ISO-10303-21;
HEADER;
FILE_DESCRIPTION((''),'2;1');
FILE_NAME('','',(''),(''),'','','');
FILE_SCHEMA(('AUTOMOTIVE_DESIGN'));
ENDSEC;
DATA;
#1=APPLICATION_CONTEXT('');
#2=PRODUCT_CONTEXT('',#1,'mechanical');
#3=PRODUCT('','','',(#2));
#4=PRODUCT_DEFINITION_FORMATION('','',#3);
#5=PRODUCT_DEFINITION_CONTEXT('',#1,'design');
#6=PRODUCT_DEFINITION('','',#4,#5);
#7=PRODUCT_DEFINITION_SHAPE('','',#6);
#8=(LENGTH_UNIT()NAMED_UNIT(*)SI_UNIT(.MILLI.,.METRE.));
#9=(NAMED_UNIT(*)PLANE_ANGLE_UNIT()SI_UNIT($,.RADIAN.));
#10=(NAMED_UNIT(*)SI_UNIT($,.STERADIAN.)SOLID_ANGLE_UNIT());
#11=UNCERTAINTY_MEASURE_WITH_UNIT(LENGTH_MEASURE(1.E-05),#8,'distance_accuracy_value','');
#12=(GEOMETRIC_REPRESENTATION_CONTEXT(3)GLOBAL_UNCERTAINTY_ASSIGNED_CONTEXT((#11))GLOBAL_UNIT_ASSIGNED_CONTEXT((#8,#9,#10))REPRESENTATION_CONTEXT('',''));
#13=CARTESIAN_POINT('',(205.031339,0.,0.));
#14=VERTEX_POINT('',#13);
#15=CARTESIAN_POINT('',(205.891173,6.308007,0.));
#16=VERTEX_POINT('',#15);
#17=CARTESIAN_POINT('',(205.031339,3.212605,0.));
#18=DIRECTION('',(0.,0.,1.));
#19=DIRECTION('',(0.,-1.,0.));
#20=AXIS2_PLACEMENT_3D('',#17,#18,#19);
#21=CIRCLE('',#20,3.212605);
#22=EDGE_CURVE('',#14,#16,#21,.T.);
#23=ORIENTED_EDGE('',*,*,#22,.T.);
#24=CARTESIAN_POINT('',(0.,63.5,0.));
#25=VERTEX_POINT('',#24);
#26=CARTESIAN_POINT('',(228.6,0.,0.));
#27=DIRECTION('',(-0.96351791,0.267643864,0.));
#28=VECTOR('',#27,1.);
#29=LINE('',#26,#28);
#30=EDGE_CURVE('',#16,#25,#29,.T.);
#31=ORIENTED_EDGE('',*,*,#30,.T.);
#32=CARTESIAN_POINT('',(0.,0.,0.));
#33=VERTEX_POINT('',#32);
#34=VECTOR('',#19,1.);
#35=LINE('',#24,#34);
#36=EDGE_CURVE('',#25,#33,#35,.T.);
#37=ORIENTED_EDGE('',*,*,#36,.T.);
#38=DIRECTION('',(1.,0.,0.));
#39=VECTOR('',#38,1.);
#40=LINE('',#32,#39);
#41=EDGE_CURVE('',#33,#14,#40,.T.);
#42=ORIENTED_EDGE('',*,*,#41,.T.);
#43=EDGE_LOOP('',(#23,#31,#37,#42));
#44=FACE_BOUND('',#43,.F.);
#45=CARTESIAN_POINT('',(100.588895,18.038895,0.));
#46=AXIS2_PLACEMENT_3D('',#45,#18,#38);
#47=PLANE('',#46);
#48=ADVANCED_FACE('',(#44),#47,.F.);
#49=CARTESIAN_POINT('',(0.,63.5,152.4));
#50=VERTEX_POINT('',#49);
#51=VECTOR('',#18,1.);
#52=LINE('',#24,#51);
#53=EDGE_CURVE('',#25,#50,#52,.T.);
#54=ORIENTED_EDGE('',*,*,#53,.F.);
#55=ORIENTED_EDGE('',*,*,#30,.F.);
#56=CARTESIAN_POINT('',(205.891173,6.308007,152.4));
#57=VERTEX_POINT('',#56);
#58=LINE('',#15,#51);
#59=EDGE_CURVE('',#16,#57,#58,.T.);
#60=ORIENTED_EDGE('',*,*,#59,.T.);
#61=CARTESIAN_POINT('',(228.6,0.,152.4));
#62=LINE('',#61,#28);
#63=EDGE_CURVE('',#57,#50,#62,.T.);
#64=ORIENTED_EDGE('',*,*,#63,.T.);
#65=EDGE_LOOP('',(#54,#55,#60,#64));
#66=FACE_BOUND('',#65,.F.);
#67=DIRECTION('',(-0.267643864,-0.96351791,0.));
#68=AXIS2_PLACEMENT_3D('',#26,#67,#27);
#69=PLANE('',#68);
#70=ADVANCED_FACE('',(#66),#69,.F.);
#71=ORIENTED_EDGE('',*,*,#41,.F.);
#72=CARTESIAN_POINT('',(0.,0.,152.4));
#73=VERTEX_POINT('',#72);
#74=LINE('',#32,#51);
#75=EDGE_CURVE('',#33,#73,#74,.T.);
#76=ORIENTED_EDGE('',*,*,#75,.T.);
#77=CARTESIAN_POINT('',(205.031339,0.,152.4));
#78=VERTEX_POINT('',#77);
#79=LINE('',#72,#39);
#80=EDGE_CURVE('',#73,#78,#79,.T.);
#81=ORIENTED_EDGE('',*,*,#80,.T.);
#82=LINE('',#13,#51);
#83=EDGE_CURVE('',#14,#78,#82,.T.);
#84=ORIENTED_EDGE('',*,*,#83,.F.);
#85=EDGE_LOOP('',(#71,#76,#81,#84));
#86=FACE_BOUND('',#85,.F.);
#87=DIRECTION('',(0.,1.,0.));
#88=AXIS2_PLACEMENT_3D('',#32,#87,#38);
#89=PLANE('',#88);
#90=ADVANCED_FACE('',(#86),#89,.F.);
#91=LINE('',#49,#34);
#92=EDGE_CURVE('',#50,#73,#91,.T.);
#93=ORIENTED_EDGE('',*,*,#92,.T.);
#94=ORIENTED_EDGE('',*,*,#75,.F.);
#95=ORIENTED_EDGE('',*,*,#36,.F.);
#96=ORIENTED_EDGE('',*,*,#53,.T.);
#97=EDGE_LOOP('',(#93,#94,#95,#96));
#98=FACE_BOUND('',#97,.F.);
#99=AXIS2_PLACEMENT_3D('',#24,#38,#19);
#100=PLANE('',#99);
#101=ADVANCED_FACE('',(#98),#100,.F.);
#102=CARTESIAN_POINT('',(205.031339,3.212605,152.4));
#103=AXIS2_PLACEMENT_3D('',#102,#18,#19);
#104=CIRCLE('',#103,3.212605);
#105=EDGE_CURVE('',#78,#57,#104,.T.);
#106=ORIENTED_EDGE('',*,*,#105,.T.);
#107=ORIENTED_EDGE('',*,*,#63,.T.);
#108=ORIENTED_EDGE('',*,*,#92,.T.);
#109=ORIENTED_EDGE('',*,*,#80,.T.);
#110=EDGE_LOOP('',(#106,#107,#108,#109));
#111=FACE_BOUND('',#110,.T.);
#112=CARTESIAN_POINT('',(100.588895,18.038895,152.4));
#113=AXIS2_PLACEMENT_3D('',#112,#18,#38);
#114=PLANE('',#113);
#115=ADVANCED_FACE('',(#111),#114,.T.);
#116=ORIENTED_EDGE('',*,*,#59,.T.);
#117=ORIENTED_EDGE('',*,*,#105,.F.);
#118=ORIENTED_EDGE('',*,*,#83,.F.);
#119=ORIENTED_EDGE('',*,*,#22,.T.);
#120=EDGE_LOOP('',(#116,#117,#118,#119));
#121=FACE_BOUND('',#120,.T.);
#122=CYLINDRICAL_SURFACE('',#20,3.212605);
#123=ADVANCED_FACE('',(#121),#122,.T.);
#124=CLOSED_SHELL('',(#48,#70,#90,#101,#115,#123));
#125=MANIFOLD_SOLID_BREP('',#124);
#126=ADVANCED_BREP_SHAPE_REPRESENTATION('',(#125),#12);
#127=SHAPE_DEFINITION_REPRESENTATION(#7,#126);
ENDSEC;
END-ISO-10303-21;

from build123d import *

# Parameters (mm, degrees)
F1_DEPTH = 152.4
F2_R     = 3.212605


with BuildPart() as f1:
    # F0 (on Top) → F1 (new body)
    with BuildSketch(Plane.XY):
        Polygon((0, 63.5), (0, 0), (228.6, 0), align=None)
    extrude(amount=F1_DEPTH)

    # F2
    f2_edges = [f1.edges().sort_by_distance(p)[0] for p in [
        (228.6, 0, 76.2),
    ]]
    fillet(f2_edges, radius=F2_R)


solid = f1.part
